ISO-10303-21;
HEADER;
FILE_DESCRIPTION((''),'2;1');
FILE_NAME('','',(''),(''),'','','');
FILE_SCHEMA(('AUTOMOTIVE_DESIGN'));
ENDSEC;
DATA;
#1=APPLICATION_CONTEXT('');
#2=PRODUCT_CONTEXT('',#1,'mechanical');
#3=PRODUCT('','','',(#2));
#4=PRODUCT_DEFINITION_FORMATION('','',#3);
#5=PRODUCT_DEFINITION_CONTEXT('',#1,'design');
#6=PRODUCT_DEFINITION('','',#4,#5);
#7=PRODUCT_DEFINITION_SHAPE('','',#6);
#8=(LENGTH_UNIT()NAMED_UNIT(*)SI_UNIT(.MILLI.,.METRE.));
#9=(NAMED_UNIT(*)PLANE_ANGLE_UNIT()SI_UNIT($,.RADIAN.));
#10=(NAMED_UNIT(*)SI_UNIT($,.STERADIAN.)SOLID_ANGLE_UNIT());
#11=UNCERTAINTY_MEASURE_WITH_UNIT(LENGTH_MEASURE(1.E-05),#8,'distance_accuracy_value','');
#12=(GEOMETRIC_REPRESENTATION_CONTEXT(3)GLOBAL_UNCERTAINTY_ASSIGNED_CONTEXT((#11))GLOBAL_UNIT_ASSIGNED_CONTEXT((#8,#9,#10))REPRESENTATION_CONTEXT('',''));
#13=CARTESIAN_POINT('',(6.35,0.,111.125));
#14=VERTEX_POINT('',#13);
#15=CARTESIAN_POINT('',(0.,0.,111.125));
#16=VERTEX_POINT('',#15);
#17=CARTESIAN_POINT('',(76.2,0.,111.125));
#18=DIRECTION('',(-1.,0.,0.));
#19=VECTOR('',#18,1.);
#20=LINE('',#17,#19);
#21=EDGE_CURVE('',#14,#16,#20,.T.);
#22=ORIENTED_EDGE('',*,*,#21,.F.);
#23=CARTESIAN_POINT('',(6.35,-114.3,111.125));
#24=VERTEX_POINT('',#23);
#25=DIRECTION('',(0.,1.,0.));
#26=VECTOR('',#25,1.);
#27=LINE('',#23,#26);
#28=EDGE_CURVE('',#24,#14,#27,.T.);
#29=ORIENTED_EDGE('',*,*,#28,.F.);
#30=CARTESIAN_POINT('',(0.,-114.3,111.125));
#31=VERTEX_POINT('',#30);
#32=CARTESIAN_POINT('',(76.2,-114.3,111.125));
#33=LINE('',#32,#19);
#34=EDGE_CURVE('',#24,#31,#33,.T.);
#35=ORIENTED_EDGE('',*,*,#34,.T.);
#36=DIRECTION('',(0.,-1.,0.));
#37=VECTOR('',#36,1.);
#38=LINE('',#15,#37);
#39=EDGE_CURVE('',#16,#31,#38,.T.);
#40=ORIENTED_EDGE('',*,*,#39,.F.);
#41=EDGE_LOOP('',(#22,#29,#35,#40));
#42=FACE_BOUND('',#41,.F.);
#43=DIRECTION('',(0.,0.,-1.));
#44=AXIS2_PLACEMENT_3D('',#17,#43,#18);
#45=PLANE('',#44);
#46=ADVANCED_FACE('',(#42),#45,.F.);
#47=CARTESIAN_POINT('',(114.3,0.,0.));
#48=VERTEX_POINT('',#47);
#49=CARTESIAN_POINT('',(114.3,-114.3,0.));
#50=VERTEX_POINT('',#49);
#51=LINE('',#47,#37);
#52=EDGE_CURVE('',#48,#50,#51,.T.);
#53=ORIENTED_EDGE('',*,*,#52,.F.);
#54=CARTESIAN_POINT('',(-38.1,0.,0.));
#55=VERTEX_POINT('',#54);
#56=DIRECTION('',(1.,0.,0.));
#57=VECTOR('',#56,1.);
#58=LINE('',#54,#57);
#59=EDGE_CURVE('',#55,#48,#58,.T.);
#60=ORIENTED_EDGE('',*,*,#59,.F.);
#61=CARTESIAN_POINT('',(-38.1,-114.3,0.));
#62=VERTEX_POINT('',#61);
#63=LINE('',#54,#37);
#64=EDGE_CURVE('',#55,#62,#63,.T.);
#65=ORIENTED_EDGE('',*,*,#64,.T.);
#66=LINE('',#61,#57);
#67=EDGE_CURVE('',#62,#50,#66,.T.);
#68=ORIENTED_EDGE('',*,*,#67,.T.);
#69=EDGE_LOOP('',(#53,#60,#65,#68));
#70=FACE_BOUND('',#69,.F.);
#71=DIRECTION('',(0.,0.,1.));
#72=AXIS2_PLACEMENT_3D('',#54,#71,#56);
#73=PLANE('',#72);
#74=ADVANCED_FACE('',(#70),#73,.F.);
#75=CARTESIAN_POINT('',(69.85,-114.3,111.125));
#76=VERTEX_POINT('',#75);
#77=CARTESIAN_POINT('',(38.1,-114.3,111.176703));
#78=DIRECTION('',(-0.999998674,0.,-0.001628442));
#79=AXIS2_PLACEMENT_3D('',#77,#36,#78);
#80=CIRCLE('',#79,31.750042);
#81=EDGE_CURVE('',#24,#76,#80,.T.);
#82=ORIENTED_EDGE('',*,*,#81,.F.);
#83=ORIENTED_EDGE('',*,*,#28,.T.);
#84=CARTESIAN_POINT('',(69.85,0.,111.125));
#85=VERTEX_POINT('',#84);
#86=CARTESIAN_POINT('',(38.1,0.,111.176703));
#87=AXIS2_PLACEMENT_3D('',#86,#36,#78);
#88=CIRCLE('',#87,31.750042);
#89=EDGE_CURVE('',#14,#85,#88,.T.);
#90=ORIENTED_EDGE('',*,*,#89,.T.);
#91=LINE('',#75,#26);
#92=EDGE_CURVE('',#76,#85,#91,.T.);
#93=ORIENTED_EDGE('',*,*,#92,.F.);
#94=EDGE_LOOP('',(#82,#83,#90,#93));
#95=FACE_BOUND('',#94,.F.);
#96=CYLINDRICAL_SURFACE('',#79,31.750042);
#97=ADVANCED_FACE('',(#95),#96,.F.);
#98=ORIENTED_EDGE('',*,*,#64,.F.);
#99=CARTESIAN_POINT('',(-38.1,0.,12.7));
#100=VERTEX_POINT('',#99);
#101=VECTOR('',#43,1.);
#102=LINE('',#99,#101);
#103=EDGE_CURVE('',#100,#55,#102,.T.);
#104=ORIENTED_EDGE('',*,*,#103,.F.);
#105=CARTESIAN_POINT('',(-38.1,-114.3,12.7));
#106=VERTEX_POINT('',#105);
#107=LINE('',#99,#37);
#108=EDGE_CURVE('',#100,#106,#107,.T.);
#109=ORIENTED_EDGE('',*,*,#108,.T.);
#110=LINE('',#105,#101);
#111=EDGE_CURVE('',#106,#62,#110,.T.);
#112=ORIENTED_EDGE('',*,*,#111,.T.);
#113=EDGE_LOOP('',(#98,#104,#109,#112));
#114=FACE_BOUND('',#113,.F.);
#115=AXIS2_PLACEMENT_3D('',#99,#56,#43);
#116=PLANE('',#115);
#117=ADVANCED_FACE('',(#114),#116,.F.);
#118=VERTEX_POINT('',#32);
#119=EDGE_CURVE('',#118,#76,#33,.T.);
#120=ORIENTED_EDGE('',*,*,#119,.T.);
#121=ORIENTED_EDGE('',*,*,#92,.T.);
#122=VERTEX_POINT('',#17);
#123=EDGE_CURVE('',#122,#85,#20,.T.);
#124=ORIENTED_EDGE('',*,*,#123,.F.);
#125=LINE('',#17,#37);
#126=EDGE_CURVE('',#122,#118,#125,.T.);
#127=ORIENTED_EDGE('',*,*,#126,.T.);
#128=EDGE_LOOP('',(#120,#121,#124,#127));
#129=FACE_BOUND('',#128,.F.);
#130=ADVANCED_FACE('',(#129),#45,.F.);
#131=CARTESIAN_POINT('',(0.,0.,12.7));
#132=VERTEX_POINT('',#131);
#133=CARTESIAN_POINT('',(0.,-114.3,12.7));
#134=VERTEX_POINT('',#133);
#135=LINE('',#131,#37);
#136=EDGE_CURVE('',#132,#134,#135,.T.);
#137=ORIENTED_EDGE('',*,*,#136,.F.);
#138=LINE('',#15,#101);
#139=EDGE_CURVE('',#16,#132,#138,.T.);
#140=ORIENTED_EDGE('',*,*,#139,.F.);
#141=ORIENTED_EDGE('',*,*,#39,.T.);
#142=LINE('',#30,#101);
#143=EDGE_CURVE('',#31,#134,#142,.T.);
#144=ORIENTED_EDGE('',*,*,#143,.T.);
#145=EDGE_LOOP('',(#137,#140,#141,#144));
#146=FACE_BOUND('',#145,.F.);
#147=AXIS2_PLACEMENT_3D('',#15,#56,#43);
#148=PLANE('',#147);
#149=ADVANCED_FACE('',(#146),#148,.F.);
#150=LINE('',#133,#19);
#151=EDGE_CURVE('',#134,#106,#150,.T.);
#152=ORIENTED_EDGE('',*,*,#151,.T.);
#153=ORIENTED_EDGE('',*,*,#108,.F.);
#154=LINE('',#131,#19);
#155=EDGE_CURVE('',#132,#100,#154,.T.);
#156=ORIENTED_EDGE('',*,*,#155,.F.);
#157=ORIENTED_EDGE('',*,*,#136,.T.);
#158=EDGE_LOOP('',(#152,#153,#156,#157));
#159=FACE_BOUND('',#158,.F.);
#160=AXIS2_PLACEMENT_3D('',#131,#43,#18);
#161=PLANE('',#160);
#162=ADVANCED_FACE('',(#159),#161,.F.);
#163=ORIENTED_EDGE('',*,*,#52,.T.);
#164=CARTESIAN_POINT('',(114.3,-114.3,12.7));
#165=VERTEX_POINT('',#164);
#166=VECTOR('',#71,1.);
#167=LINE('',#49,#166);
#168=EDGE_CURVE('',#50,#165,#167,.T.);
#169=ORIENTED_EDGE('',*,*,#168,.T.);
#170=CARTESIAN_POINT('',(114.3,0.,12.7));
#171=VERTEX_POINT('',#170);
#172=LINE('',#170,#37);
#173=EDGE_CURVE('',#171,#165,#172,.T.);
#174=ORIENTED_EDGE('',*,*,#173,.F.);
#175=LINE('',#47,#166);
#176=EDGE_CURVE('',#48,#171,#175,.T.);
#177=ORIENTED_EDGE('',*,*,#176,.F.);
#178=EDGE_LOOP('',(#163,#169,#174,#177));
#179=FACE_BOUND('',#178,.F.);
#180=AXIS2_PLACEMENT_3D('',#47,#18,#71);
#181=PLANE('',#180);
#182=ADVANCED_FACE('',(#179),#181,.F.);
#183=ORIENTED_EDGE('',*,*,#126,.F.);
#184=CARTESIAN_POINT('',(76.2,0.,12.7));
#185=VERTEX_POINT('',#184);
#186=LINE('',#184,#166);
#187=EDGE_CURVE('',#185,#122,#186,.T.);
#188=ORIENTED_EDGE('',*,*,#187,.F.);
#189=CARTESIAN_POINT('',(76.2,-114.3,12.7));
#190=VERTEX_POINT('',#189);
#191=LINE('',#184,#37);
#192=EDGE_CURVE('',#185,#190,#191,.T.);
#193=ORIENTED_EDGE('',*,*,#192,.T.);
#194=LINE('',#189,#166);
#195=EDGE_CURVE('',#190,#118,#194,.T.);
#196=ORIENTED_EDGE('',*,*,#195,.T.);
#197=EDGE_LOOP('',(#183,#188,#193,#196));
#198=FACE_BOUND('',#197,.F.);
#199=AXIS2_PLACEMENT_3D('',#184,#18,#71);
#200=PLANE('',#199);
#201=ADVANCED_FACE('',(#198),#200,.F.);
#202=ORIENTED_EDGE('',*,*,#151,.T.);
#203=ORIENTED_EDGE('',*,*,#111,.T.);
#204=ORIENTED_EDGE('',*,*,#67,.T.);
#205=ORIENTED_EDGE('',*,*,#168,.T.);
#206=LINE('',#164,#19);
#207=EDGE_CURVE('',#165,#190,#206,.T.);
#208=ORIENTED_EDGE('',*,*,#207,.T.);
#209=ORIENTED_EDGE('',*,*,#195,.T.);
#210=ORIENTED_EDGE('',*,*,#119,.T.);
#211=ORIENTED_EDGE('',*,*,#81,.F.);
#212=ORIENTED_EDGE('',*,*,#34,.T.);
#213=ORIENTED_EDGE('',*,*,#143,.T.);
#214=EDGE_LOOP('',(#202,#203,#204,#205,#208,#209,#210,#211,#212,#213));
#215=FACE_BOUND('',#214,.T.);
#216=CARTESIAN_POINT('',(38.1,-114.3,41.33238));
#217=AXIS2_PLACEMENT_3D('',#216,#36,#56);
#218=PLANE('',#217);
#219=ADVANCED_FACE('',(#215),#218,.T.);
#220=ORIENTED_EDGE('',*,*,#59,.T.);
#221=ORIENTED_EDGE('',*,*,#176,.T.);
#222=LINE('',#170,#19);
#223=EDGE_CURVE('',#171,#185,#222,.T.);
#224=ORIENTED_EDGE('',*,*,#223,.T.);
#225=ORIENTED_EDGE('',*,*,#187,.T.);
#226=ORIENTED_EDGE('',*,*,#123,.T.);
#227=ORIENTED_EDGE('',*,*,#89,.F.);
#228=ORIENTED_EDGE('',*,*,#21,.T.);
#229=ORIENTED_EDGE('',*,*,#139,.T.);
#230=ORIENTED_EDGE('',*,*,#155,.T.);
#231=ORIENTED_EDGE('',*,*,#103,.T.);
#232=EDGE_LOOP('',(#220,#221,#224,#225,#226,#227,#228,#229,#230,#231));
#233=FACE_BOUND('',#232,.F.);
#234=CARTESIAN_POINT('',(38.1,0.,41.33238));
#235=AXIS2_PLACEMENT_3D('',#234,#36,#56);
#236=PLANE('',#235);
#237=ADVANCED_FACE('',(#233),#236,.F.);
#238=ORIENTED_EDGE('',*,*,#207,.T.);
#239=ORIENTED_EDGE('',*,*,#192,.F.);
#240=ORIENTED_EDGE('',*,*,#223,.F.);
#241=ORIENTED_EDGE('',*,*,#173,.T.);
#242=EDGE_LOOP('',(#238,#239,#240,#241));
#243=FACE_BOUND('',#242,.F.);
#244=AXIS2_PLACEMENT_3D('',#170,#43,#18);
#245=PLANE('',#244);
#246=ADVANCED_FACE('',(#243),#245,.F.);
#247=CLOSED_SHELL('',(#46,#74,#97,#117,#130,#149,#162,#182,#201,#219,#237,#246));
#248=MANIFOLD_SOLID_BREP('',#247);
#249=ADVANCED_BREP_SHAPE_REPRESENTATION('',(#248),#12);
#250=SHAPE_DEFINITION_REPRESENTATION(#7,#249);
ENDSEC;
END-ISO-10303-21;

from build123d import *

# Parameters (mm, degrees)
F1_DEPTH = 114.3
F3_DEPTH = 114.301


with BuildPart() as f1:
    # F0 (on Front) → F1 (new body)
    with BuildSketch(Plane.XZ):
        Polygon((-38.1, 0), (0, 0), (114.3, 0), (114.3, 12.7), (76.2, 12.7), (76.2, 111.125), (0, 111.125), (0, 12.7), (-38.1, 12.7), align=None)
    extrude(amount=F1_DEPTH)

    # F2 (on face) → F3 (cut, through all)
    with BuildSketch(Plane.XZ.offset(114.3)):
        with BuildLine():
            Line((69.85, 111.125), (6.35, 111.125))
            ThreePointArc((6.35, 111.125), (38.1, 79.426661), (69.85, 111.125))
        make_face()
    extrude(amount=-F3_DEPTH, mode=Mode.SUBTRACT)


solid = f1.part
